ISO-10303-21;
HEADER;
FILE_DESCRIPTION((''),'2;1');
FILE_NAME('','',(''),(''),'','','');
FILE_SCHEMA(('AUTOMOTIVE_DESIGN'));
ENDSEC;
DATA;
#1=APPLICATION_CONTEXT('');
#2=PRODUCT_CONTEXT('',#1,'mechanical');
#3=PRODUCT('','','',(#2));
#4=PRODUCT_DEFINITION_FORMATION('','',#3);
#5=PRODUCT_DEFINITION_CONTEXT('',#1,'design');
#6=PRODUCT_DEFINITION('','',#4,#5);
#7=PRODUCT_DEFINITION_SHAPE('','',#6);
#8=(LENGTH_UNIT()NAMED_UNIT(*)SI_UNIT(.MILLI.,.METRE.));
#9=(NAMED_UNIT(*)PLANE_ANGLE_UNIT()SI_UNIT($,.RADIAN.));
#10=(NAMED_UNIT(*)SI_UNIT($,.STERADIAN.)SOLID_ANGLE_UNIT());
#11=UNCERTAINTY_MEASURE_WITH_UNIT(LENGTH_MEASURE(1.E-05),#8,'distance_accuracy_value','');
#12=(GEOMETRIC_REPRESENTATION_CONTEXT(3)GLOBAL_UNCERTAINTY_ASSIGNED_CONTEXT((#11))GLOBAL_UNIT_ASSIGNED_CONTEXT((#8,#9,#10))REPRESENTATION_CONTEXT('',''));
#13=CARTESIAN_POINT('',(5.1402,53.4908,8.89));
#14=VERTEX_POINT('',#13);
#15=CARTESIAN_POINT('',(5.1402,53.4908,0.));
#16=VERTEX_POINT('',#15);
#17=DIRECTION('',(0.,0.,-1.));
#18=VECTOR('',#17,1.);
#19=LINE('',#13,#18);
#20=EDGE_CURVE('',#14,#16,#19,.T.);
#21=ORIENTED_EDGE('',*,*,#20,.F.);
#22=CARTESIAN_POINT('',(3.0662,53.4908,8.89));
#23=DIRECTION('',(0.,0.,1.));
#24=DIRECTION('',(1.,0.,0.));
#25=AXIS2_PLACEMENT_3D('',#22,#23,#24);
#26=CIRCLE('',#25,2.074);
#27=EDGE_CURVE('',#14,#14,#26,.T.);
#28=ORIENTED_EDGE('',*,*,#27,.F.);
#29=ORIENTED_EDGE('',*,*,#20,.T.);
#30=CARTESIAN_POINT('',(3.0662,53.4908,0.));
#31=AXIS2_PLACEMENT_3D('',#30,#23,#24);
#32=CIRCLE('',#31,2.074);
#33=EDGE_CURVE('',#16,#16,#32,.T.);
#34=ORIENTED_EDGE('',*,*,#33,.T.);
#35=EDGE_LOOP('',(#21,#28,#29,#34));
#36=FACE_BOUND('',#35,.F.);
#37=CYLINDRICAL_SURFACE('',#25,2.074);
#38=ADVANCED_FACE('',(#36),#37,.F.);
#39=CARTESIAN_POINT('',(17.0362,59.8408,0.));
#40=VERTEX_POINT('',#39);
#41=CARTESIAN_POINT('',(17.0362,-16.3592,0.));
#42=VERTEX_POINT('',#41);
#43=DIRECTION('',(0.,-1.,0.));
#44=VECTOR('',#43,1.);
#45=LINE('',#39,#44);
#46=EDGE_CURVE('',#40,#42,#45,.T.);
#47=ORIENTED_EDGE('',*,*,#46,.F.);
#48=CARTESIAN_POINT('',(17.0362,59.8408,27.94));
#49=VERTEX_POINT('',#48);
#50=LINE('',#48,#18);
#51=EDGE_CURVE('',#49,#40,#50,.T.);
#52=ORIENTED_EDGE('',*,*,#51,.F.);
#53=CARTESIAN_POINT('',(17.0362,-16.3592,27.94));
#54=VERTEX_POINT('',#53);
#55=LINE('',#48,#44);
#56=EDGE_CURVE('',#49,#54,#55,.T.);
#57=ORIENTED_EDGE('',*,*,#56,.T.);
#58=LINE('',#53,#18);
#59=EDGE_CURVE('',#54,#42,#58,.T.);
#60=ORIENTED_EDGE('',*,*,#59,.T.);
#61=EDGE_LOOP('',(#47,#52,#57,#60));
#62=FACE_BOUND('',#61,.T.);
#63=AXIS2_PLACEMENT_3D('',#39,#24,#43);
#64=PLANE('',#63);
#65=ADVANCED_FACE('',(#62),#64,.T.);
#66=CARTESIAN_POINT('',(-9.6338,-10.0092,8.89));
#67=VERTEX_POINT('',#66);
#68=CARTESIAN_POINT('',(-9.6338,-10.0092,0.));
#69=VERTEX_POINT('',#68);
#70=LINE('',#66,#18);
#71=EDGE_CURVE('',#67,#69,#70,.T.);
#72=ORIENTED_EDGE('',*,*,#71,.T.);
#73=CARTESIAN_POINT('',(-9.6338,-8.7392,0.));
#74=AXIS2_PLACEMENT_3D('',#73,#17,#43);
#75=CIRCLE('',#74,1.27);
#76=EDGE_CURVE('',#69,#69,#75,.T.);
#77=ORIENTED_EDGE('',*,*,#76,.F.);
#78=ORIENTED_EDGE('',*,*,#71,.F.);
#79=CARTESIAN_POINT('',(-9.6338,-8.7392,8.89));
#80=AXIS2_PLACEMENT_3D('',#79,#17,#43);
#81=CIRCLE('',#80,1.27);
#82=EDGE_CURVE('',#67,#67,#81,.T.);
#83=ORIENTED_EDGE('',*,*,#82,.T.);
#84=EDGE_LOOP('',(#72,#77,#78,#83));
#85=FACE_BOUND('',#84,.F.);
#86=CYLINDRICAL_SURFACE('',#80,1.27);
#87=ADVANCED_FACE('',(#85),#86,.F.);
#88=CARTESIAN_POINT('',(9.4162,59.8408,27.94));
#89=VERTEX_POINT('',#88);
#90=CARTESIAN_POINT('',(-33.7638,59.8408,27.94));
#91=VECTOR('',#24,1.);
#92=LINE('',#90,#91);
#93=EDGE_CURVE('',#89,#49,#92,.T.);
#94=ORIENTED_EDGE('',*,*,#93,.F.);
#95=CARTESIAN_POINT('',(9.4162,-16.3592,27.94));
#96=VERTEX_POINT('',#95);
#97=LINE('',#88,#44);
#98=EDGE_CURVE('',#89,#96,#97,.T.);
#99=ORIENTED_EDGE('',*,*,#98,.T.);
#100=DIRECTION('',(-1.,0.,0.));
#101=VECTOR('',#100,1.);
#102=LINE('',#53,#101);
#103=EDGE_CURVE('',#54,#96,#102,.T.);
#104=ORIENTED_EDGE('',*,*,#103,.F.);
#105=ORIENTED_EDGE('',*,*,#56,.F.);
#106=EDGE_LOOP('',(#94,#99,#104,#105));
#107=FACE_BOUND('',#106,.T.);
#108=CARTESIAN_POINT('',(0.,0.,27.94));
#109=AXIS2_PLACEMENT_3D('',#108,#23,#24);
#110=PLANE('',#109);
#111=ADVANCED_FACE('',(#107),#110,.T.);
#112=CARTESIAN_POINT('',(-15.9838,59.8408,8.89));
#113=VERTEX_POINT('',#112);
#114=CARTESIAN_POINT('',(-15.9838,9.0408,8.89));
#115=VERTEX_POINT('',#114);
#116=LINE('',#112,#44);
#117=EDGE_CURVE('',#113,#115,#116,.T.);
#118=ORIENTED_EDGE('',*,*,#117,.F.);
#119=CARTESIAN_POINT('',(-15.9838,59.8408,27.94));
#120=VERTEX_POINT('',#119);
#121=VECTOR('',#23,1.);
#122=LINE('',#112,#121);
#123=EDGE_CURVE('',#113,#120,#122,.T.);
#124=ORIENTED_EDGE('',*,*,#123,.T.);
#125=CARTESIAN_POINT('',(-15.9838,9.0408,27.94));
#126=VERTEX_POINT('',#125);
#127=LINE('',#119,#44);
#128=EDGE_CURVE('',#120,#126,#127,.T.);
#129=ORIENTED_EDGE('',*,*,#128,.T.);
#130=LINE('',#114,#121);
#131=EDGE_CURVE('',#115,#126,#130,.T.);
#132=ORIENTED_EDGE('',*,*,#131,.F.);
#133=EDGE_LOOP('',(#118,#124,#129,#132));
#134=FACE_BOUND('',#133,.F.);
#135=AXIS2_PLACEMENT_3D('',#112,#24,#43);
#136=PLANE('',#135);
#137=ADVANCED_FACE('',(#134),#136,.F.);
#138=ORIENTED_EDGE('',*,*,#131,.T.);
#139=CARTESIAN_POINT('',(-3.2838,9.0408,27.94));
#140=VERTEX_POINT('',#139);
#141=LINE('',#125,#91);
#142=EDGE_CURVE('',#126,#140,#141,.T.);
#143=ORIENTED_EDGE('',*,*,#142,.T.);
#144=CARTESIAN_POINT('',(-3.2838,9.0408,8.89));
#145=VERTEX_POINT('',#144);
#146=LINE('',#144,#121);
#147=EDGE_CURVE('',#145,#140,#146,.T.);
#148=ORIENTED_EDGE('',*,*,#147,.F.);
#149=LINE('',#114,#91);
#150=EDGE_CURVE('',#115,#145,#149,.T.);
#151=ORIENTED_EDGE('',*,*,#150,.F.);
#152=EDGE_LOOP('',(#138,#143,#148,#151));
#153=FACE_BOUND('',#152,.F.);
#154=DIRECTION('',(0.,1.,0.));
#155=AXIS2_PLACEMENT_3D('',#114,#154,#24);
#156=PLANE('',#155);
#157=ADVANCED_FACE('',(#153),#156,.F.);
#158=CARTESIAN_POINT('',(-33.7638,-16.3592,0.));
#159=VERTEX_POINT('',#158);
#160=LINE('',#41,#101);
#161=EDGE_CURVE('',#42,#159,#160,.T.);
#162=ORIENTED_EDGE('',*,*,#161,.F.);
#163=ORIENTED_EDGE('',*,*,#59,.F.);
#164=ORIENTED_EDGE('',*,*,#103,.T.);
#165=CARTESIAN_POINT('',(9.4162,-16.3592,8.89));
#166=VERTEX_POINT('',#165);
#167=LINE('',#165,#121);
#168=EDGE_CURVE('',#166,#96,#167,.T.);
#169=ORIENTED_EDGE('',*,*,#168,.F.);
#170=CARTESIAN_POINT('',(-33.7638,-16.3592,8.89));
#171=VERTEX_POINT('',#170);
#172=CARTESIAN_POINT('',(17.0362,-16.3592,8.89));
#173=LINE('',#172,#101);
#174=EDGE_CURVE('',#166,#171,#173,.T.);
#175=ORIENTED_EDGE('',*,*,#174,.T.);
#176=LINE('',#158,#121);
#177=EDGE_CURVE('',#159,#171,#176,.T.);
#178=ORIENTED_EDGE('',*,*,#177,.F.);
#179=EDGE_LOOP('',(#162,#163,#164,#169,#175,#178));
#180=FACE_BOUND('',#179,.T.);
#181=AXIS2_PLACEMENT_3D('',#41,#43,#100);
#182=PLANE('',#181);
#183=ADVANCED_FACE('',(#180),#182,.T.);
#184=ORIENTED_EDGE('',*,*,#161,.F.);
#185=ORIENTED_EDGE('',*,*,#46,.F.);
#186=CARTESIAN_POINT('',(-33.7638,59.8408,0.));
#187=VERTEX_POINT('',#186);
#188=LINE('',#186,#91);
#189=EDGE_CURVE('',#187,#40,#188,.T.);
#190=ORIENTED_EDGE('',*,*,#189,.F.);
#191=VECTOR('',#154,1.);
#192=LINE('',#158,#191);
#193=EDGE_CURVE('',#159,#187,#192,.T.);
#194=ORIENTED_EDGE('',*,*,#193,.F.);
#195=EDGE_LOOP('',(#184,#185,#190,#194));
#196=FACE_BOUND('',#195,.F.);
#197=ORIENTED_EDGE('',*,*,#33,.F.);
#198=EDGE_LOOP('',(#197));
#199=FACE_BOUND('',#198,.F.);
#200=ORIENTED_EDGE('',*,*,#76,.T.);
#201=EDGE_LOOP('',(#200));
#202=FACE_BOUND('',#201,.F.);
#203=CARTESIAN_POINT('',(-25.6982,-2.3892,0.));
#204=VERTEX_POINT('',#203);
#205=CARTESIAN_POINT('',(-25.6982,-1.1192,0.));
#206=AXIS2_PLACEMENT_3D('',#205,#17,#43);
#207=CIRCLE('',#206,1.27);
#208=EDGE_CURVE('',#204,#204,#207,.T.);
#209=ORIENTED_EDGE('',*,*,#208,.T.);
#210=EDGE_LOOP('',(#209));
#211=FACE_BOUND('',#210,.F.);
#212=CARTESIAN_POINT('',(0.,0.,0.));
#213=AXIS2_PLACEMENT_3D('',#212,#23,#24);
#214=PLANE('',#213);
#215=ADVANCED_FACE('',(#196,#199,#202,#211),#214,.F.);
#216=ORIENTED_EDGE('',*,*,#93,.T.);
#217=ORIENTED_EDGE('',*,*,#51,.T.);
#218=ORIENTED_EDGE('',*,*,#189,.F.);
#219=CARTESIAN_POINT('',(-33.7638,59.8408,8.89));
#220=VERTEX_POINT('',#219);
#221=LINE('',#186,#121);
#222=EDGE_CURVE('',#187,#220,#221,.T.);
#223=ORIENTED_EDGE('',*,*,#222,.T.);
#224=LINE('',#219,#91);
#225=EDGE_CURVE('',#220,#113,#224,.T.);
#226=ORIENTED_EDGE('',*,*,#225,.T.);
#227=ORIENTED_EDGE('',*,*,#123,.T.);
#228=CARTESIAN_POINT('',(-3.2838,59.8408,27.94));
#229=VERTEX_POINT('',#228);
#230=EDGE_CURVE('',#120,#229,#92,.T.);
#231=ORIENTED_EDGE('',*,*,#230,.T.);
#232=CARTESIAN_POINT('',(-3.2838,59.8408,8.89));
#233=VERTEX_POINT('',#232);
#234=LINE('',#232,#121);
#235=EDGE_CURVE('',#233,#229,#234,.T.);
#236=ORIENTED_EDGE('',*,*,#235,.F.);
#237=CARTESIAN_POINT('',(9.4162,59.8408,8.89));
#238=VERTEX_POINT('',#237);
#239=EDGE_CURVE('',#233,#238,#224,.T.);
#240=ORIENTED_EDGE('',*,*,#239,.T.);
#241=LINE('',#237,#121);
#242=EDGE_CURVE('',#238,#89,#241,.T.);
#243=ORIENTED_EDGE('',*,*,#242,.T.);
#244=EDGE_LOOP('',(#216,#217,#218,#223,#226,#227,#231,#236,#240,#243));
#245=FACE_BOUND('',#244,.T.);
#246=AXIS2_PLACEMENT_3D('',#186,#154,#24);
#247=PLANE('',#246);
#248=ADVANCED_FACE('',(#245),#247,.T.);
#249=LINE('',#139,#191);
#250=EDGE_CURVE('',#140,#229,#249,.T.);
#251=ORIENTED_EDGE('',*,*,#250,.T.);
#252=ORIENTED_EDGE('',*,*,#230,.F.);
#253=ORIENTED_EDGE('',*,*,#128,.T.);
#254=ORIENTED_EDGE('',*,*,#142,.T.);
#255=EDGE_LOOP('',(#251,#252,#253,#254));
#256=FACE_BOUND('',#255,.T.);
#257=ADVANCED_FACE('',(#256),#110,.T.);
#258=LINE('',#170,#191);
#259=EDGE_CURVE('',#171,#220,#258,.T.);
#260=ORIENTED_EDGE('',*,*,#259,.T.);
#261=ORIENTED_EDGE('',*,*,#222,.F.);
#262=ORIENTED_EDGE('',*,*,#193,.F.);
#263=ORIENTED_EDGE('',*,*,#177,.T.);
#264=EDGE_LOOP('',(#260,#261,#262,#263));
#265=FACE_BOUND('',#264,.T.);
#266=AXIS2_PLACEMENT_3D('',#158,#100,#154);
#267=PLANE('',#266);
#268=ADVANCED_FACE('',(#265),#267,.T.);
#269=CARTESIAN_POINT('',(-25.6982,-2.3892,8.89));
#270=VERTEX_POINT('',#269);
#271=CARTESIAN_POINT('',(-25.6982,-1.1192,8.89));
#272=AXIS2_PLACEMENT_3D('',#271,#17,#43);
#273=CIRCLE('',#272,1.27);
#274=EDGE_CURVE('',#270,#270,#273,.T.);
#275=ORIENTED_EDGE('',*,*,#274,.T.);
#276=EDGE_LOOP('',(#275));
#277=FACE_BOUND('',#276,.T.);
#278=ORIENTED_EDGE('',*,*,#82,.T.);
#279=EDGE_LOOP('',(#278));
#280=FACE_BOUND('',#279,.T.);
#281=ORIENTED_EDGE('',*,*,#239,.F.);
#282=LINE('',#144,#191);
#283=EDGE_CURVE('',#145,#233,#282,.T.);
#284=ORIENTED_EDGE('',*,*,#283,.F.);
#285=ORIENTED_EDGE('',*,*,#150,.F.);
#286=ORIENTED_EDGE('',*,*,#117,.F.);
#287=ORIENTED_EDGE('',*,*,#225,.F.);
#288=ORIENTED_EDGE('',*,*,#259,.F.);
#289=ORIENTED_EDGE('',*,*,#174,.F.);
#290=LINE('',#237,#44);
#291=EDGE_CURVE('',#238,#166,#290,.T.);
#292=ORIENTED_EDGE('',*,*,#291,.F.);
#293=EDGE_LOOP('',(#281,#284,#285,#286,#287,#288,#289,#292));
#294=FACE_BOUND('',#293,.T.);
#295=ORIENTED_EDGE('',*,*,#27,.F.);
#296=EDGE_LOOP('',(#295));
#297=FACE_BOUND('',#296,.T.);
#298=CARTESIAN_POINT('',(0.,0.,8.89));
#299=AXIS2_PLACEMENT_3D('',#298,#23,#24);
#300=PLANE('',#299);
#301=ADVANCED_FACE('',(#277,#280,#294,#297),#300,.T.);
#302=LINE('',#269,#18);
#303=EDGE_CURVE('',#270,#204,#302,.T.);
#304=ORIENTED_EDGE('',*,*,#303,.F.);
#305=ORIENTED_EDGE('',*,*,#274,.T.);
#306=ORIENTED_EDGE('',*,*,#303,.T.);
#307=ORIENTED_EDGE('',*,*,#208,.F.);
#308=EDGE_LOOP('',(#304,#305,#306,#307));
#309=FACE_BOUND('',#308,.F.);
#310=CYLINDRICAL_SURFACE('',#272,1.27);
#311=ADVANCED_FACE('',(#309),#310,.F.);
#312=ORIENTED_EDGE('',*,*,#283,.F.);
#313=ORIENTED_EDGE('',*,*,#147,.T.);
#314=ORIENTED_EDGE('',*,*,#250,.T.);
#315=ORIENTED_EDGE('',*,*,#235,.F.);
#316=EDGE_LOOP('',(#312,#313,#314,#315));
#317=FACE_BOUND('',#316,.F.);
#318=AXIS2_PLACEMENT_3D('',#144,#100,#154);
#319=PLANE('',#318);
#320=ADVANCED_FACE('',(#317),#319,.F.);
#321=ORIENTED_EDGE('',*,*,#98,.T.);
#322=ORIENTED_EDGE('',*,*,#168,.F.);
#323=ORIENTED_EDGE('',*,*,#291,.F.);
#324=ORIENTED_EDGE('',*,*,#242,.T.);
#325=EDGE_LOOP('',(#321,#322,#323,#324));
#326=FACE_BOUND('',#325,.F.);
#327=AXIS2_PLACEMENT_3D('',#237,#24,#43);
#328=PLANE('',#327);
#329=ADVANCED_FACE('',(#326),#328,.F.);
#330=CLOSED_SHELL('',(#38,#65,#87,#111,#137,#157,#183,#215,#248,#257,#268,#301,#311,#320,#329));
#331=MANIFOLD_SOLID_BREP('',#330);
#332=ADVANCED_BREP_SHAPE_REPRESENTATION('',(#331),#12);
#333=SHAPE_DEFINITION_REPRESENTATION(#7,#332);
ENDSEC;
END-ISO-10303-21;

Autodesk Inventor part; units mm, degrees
ref_plane "YZ Plane" through (0, 0, 0) normal (1, 0, 0) x (0, 1, 0)
ref_plane "XZ Plane" through (0, 0, 0) normal (0, 1, 0) x (-1, 0, 0)
ref_plane "XY Plane" through (0, 0, 0) normal (0, 0, 1) x (1, 0, 0)
sketch "Sketch1" plane through (0, 0, 0) normal (0, 0, 1) x (1, 0, 0)
  line L0 (-33.7638, 59.8408) -> (17.0362, 59.8408)
  line L1 (17.0362, 59.8408) -> (17.0362, -16.3592)
  line L2 (17.0362, -16.3592) -> (-33.7638, -16.3592)
  line L3 (-33.7638, -16.3592) -> (-33.7638, 59.8408)
  dimension "d0" = 50.8
  dimension "d1" = 76.2
extrude "Extrusion1" add sketch "Sketch1" along normal blind 8.89
sketch "Sketch2" plane through (0, 0, 8.89) normal (0, 0, 1) x (1, 0, 0)
  line L0 (17.0362, 59.8408) -> (17.0362, -16.3592) projected
  line L1 (-33.7638, 59.8408) -> (17.0362, 59.8408) projected
  line L2 (17.0362, -16.3592) -> (-33.7638, -16.3592) projected
  line L3 (9.4162, 59.8408) -> (9.4162, -16.3592)
  dimension "d4" = 7.62
extrude "Extrusion2" add sketch "Sketch2" along normal blind 19.05
sketch "Sketch3" plane through (0, 0, 8.89) normal (0, 0, 1) x (1, 0, 0)
  point P0 (9.4162, -16.3592)
  point P1 (-33.7638, -16.3592)
  point P2 (-9.6338, -8.7392)
  point P3 (-25.6982, -1.1192)
  dimension "d7" = 19.05
  dimension "d8" = 7.62
  dimension "d9" = 17.78
  dimension "d10" = 15.24
hole "Hole1" at (-9.6338, -8.7392, 8.89) at (-25.6982, -1.1192, 8.89) direction (0, 0, -1) diameter 2.54 depth 12.7 tip angle 118
sketch "Sketch4" plane through (0, 0, 8.89) normal (0, 0, 1) x (1, 0, 0)
  line L0 (9.4162, -16.3592) -> (9.4162, 59.8408) projected
  line L1 (-33.7638, 59.8408) -> (9.4162, 59.8408) projected
  line L2 (-15.9838, 59.8408) -> (-15.9838, 9.0408)
  line L3 (-15.9838, 9.0408) -> (-3.2838, 9.0408)
  line L4 (-3.2838, 9.0408) -> (-3.2838, 59.8408)
  dimension "d18" = 12.7
  dimension "d19" = 12.7
  dimension "d22" = 50.8
extrude "Extrusion3" add sketch "Sketch4" along normal up to surface (19.05 mm away)
sketch "Sketch5" plane through (0, 0, 8.89) normal (0, 0, 1) x (1, 0, 0)
  line L0 (-3.2838, 59.8408) -> (9.4162, 59.8408) projected
  line L1 (-3.2838, 59.8408) -> (-3.2838, 9.0408) projected
  circle A0 centre (3.0662, 53.4908) radius 2.074
  dimension "d24" = 6.35
  dimension "d25" = 6.35
extrude "Extrusion4" cut sketch "Sketch5" against normal up to next
properties part number "base"
